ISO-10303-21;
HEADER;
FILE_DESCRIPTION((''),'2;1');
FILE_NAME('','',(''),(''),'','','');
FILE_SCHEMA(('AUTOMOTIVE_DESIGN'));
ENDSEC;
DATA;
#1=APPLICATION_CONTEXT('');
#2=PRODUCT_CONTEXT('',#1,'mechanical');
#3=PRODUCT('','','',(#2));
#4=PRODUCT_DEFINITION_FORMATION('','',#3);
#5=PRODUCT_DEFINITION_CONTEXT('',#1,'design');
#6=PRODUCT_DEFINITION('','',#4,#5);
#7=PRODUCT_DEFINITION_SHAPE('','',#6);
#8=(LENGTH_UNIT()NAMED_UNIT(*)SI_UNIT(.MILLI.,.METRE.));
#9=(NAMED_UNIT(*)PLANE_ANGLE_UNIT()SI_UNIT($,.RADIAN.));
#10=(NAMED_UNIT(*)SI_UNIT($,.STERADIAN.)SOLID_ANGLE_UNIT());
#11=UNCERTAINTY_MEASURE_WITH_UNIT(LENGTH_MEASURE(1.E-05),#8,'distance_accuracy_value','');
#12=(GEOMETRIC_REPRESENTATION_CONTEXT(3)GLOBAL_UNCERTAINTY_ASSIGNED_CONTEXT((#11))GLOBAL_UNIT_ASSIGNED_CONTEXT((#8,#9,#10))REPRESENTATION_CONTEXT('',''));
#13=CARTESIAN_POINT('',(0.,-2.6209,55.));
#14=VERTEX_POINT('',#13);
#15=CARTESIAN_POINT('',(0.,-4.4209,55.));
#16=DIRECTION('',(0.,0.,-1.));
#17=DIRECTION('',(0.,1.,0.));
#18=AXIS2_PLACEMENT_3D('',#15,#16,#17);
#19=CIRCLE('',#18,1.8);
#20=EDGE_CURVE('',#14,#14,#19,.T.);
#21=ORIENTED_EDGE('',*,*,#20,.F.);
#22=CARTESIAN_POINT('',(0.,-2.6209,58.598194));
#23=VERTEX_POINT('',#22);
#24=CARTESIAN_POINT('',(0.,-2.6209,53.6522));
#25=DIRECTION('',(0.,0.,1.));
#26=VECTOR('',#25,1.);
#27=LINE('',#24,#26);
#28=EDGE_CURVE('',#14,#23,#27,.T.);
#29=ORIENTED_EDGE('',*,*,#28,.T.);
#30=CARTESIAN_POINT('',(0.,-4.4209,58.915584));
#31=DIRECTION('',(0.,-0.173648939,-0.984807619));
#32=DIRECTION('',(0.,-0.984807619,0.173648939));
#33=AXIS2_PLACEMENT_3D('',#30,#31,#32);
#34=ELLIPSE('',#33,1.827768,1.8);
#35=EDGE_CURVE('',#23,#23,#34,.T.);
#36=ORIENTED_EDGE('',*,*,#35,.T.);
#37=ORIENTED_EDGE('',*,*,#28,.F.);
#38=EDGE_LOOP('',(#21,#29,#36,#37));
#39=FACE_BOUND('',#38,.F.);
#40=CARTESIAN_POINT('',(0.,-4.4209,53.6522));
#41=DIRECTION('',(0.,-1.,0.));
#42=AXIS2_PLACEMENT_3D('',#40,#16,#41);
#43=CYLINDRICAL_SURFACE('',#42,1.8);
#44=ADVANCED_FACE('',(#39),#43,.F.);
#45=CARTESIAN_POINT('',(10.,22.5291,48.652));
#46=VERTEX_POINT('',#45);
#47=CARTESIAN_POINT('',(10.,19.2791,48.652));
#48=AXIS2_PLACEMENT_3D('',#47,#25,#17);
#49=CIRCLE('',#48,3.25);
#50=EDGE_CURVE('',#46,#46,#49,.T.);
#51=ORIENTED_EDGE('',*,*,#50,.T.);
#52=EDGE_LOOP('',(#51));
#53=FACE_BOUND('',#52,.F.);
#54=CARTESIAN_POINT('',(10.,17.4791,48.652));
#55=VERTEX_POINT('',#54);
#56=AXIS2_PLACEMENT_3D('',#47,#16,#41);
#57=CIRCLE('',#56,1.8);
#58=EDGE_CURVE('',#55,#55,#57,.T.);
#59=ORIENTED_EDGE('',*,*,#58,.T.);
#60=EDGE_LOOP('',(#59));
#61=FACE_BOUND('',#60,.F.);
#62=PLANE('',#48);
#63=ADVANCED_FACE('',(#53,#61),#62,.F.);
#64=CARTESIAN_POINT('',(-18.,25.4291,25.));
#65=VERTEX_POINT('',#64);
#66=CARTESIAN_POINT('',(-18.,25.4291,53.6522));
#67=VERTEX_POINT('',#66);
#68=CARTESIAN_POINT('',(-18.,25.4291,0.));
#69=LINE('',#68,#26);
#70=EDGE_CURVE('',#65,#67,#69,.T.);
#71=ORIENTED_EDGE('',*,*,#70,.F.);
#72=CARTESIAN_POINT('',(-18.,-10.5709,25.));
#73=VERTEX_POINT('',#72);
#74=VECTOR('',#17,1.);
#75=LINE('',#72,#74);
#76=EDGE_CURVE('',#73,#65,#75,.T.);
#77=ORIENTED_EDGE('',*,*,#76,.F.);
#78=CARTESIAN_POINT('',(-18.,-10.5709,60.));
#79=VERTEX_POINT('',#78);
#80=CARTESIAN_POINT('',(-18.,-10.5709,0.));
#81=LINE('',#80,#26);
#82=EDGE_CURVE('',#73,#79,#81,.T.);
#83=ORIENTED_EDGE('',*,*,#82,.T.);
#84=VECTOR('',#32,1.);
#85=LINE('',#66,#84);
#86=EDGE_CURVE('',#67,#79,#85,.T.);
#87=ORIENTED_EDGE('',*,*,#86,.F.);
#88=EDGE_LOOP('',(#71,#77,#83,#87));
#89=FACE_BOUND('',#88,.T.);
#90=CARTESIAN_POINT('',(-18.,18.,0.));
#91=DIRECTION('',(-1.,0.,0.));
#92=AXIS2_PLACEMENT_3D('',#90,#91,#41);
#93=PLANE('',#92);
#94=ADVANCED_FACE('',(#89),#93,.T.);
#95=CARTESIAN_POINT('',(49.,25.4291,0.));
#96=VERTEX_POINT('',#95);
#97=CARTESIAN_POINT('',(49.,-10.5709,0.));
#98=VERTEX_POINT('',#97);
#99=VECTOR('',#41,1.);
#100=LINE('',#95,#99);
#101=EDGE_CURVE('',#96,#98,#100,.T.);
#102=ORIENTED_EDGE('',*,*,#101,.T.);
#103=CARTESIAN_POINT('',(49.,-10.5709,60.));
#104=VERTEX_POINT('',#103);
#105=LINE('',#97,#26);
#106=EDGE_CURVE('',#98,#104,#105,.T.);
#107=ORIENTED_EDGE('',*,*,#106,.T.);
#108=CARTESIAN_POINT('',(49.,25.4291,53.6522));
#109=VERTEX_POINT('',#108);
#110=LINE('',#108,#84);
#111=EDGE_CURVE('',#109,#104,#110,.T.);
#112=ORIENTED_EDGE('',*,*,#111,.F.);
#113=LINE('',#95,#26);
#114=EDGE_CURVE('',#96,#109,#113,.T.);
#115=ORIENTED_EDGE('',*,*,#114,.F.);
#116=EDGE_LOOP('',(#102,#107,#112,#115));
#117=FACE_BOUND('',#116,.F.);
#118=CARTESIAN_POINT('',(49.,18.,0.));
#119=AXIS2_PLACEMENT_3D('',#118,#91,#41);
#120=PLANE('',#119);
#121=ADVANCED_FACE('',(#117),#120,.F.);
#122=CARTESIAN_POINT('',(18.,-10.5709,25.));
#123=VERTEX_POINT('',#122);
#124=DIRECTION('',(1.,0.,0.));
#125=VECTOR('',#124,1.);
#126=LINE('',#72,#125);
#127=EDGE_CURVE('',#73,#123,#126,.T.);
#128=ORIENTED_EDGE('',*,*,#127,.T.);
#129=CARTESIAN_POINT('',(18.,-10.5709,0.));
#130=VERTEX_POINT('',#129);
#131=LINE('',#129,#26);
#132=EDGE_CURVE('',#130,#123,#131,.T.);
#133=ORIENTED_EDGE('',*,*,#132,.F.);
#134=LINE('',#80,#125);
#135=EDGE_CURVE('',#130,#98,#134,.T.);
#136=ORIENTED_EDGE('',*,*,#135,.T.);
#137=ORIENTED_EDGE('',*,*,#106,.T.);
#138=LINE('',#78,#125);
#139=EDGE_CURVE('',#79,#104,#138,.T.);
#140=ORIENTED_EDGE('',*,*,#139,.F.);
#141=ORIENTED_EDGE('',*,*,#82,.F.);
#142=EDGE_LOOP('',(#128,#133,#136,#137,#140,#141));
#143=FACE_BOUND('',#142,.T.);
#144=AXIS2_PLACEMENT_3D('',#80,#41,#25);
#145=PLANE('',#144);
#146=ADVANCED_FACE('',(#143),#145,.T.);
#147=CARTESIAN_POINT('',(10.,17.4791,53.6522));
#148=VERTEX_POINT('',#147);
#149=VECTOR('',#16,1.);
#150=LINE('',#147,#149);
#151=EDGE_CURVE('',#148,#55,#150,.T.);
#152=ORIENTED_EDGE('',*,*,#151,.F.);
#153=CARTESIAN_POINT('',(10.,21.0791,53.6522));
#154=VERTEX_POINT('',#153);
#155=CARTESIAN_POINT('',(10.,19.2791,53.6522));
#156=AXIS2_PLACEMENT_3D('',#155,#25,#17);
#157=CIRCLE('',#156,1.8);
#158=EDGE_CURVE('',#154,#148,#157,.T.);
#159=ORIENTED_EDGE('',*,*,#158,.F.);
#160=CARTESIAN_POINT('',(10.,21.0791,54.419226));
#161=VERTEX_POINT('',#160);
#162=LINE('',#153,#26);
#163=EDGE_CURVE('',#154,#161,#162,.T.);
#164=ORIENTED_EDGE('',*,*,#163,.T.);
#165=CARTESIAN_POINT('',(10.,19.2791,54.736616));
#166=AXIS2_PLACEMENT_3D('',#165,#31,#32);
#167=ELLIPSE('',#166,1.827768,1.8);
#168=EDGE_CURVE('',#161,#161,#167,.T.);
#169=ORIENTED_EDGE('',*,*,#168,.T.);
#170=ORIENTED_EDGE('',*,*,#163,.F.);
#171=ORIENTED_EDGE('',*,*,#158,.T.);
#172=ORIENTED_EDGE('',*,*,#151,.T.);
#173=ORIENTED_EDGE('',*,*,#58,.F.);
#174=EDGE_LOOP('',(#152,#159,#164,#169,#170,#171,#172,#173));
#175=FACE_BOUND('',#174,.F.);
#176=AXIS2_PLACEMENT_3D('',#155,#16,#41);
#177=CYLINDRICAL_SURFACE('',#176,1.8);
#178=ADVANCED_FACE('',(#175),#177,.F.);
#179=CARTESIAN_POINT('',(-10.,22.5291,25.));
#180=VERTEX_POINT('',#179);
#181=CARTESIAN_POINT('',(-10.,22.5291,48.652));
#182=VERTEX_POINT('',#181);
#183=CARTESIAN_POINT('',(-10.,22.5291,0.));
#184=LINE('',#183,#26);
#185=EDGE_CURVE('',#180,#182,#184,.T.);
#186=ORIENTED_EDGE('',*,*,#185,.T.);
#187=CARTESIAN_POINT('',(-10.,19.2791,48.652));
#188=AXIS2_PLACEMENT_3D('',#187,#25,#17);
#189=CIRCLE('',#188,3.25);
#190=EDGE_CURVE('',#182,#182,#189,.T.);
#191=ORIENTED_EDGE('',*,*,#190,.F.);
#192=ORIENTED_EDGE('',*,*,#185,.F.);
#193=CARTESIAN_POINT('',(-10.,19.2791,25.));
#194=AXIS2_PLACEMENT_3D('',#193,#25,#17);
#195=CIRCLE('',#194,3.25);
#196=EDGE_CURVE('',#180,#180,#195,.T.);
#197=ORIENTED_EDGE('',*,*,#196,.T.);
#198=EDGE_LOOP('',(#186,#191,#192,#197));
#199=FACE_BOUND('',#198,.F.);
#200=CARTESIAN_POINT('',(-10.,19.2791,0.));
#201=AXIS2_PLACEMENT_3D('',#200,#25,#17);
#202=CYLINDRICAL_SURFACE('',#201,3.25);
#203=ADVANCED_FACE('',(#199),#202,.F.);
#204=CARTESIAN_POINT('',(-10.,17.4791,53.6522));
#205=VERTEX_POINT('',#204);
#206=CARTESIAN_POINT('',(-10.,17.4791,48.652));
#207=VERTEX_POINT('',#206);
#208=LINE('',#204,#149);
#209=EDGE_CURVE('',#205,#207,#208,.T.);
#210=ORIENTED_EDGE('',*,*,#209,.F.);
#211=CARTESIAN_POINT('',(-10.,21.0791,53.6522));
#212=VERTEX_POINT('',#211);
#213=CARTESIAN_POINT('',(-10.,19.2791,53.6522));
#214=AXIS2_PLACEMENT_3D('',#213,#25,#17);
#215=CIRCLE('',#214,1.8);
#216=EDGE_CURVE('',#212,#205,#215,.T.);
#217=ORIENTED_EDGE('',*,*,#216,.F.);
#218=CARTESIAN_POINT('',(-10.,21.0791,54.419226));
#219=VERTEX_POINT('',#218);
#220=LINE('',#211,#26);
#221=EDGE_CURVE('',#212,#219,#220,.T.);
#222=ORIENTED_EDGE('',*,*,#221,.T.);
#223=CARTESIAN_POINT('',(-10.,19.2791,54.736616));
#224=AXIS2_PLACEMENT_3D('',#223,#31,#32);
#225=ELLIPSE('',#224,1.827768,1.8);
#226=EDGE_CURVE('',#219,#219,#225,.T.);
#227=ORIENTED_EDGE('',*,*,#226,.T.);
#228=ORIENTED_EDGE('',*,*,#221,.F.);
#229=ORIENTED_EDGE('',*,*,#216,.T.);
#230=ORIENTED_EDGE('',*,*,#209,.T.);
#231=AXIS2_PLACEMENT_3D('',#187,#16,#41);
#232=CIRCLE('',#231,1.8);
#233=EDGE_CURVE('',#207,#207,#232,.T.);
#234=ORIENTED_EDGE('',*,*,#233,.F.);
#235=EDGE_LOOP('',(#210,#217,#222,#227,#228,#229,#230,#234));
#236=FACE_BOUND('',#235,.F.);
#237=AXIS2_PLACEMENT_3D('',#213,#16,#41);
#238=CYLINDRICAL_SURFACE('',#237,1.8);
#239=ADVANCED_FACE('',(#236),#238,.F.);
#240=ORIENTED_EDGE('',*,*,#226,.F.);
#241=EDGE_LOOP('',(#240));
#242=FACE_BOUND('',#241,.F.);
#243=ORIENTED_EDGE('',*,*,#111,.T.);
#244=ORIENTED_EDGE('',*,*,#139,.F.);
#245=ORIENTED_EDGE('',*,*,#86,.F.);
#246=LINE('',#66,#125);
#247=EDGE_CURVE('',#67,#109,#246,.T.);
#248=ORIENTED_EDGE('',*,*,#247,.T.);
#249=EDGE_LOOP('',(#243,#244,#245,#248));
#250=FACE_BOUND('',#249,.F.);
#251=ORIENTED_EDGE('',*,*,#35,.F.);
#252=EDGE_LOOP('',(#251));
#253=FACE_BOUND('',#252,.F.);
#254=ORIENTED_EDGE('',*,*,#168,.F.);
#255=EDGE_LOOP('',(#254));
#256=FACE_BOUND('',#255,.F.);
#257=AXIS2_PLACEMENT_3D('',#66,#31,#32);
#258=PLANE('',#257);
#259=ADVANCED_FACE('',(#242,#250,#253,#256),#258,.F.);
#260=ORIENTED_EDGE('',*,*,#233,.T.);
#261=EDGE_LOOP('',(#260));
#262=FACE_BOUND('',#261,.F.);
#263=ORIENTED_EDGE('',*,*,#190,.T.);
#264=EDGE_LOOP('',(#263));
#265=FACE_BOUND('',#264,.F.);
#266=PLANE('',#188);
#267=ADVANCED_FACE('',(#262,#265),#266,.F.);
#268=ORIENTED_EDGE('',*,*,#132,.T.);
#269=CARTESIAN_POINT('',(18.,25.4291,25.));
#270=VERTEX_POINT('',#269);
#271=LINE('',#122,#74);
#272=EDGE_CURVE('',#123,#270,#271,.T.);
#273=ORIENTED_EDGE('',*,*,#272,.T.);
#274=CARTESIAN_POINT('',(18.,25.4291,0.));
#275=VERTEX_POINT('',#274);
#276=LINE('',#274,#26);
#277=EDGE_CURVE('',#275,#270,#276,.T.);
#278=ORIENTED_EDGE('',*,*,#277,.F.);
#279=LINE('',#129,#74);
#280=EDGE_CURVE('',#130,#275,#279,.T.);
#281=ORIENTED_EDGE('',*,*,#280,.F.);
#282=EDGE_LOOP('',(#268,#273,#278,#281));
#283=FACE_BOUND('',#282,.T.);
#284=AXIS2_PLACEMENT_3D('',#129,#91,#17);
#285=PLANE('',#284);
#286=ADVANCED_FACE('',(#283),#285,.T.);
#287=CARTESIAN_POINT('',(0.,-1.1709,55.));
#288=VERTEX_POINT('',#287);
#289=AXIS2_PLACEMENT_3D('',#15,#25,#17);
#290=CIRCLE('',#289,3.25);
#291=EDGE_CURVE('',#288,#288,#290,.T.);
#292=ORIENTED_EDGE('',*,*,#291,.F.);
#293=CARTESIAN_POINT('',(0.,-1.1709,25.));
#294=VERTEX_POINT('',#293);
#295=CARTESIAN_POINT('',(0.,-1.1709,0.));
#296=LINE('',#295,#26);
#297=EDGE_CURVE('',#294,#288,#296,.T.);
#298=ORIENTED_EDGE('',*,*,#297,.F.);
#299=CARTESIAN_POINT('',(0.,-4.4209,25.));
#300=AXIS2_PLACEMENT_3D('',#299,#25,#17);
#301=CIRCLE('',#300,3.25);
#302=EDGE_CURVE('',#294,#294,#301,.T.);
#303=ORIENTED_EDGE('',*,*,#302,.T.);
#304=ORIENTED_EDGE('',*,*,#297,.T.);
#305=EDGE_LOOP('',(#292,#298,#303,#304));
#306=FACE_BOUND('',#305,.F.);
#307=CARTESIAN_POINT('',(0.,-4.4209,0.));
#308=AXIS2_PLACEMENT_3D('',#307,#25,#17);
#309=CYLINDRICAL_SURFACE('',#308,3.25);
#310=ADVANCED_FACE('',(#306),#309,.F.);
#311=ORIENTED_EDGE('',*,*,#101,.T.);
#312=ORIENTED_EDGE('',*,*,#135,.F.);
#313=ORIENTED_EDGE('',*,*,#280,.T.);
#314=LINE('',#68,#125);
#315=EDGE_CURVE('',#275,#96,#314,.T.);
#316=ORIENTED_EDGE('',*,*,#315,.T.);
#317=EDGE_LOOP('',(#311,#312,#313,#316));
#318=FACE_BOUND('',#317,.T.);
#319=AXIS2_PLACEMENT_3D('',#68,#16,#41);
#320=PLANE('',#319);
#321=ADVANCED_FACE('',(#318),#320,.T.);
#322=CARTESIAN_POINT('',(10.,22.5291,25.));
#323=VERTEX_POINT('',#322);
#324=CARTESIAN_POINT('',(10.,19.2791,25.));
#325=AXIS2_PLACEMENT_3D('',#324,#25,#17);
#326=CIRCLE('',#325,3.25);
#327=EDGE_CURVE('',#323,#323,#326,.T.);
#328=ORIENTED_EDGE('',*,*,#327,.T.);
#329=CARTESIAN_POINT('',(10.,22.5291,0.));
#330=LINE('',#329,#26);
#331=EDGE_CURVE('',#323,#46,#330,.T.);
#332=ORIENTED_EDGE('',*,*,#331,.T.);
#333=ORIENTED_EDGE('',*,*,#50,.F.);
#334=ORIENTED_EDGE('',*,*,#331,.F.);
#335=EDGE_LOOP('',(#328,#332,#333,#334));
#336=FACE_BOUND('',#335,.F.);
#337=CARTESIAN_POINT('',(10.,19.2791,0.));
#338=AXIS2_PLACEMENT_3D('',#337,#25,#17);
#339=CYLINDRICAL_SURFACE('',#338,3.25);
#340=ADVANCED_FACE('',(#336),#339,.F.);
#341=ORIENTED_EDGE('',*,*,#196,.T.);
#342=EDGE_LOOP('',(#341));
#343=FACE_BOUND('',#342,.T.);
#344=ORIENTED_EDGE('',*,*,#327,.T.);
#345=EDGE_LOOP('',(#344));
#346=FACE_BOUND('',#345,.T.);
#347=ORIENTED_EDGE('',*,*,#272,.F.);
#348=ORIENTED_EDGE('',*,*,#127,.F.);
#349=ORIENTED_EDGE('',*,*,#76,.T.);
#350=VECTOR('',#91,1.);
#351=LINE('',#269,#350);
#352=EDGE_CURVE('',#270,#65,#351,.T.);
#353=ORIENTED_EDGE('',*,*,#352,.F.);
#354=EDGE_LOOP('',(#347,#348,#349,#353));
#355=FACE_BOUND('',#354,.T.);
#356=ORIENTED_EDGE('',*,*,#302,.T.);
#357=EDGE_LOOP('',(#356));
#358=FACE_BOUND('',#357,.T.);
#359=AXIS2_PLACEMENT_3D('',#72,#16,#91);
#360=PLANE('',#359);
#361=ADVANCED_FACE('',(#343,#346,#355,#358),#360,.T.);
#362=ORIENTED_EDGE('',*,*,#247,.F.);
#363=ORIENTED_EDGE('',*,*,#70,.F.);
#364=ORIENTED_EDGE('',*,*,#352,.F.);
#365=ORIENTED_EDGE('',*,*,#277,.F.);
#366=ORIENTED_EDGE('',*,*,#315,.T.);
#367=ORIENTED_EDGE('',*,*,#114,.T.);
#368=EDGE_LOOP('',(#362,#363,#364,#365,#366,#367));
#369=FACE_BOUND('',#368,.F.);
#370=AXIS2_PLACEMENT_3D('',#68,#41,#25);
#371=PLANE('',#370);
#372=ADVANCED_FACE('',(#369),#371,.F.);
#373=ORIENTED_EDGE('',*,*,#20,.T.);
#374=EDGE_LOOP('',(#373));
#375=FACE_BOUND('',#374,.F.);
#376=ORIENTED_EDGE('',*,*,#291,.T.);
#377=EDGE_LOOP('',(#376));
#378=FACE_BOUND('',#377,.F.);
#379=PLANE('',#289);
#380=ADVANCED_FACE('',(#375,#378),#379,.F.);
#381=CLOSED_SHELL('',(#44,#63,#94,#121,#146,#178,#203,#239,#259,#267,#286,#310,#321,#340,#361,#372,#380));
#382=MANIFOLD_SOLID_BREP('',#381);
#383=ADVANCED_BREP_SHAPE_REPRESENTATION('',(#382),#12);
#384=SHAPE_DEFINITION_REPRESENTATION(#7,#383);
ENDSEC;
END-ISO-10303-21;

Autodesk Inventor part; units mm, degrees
ref_plane "YZ Plane" through (0, 0, 0) normal (1, 0, 0) x (0, 1, 0)
ref_plane "XZ Plane" through (0, 0, 0) normal (0, 1, 0) x (-1, 0, 0)
ref_plane "XY Plane" through (0, 0, 0) normal (0, 0, 1) x (1, 0, 0)
ref_plane "Work Plane1" through (4.4043, -35.2586, 0) normal (0, 0, 1) x (1, 0, 0)
ref_plane "Work Plane2" through (-18, 18, 0) normal (-1, 0, 0) x (0, -1, 0)
sketch "Sketch2" plane through (-18, 18, 0) normal (-1, 0, 0) x (0, -1, 0)
  line L0 (-7.4291, 0) -> (28.5709, 0)
  line L1 (28.5709, 0) -> (28.5709, 60)
  line L2 (-7.4291, 0) -> (-7.4291, 53.6522)
  line L3 (-7.4291, 53.6522) -> (28.5709, 60)
  point P0 (14.2854, 0)
  dimension "d7" = 60
  dimension "d56" = 36
  dimension "d59" = 80
extrude "Extrusion1" add sketch "Sketch2" against normal blind 67
ref_plane "Work Plane3" through (-18, 25.4291, 53.6522) normal (0, 0, -1) x (1, 0, 0)
sketch "Sketch3" plane through (-18, 25.4291, 53.6522) normal (0, 0, -1) x (1, 0, 0)
  line L0 (18, 43.2) -> (18, -7.2) projected
  circle A0 centre (18, 29.85) radius 1.8
  circle A1 centre (28, 6.15) radius 1.8
  circle A2 centre (8, 6.15) radius 1.8
  line L1 (18, 29.85) -> (33.5, 36)
  line L2 (0, 36) -> (67, 36) projected
  line L3 (28, 6.15) -> (12.5, 0)
  line L4 (0, 0) -> (67, 0) projected
  point P0 (18, 25.4291)
  point P1 (18, 6.0253)
  point P2 (29.4211, 27.8342)
  point P3 (6.5789, 27.8342)
  dimension "d33" = 3.6
  dimension "d34" = 3.6
  dimension "d57" = 23.7
  dimension "d58" = 10
hole "Hole4" at (10, 19.2791, 53.6522) at (0, -4.4209, 53.6522) at (-10, 19.2791, 53.6522) direction (0, 0, 1) diameter 3.6 end through all
hole "Hole5" at (10, 19.2791, 53.6522) at (-10, 19.2791, 53.6522) at (0, -4.4209, 53.6522) direction (0, 0, -1) diameter 3.6 end through all
sketch "Sketch5" plane through (-18, -10.5709, 0) normal (0, 0, -1) x (-1, 0, 0)
  circle A0 centre (-8, 29.85) radius 1.8 projected
  circle A1 centre (-18, 6.15) radius 1.8 projected
  circle A2 centre (-28, 29.85) radius 1.8 projected
  point P0 (-18, 10.5709)
hole "Hole6" at (-10, 19.2791, 0) at (10, 19.2791, 0) direction (0, 0, 1) diameter 6.5 depth 48.652
hole "Hole7" at (0, -4.4209, 0) direction (0, 0, 1) diameter 6.5 depth 55
sketch "Sketch6" plane through (-18, -10.5709, 0) normal (0, 0, -1) x (-1, 0, 0)
  line L0 (0, 0) -> (0, 36) projected
  line L1 (0, 0) -> (-36, 0)
  line L2 (-36, 0) -> (-36, 36)
  line L3 (-36, 36) -> (0, 36)
  line L4 (0, 36) -> (0, 0)
  point P0 (-18, 10.5709)
  dimension "d67" = 36
  dimension "d68" = 36
extrude "Extrusion2" cut sketch "Sketch6" against normal blind 25
properties part number "Camera_mount_angled"
